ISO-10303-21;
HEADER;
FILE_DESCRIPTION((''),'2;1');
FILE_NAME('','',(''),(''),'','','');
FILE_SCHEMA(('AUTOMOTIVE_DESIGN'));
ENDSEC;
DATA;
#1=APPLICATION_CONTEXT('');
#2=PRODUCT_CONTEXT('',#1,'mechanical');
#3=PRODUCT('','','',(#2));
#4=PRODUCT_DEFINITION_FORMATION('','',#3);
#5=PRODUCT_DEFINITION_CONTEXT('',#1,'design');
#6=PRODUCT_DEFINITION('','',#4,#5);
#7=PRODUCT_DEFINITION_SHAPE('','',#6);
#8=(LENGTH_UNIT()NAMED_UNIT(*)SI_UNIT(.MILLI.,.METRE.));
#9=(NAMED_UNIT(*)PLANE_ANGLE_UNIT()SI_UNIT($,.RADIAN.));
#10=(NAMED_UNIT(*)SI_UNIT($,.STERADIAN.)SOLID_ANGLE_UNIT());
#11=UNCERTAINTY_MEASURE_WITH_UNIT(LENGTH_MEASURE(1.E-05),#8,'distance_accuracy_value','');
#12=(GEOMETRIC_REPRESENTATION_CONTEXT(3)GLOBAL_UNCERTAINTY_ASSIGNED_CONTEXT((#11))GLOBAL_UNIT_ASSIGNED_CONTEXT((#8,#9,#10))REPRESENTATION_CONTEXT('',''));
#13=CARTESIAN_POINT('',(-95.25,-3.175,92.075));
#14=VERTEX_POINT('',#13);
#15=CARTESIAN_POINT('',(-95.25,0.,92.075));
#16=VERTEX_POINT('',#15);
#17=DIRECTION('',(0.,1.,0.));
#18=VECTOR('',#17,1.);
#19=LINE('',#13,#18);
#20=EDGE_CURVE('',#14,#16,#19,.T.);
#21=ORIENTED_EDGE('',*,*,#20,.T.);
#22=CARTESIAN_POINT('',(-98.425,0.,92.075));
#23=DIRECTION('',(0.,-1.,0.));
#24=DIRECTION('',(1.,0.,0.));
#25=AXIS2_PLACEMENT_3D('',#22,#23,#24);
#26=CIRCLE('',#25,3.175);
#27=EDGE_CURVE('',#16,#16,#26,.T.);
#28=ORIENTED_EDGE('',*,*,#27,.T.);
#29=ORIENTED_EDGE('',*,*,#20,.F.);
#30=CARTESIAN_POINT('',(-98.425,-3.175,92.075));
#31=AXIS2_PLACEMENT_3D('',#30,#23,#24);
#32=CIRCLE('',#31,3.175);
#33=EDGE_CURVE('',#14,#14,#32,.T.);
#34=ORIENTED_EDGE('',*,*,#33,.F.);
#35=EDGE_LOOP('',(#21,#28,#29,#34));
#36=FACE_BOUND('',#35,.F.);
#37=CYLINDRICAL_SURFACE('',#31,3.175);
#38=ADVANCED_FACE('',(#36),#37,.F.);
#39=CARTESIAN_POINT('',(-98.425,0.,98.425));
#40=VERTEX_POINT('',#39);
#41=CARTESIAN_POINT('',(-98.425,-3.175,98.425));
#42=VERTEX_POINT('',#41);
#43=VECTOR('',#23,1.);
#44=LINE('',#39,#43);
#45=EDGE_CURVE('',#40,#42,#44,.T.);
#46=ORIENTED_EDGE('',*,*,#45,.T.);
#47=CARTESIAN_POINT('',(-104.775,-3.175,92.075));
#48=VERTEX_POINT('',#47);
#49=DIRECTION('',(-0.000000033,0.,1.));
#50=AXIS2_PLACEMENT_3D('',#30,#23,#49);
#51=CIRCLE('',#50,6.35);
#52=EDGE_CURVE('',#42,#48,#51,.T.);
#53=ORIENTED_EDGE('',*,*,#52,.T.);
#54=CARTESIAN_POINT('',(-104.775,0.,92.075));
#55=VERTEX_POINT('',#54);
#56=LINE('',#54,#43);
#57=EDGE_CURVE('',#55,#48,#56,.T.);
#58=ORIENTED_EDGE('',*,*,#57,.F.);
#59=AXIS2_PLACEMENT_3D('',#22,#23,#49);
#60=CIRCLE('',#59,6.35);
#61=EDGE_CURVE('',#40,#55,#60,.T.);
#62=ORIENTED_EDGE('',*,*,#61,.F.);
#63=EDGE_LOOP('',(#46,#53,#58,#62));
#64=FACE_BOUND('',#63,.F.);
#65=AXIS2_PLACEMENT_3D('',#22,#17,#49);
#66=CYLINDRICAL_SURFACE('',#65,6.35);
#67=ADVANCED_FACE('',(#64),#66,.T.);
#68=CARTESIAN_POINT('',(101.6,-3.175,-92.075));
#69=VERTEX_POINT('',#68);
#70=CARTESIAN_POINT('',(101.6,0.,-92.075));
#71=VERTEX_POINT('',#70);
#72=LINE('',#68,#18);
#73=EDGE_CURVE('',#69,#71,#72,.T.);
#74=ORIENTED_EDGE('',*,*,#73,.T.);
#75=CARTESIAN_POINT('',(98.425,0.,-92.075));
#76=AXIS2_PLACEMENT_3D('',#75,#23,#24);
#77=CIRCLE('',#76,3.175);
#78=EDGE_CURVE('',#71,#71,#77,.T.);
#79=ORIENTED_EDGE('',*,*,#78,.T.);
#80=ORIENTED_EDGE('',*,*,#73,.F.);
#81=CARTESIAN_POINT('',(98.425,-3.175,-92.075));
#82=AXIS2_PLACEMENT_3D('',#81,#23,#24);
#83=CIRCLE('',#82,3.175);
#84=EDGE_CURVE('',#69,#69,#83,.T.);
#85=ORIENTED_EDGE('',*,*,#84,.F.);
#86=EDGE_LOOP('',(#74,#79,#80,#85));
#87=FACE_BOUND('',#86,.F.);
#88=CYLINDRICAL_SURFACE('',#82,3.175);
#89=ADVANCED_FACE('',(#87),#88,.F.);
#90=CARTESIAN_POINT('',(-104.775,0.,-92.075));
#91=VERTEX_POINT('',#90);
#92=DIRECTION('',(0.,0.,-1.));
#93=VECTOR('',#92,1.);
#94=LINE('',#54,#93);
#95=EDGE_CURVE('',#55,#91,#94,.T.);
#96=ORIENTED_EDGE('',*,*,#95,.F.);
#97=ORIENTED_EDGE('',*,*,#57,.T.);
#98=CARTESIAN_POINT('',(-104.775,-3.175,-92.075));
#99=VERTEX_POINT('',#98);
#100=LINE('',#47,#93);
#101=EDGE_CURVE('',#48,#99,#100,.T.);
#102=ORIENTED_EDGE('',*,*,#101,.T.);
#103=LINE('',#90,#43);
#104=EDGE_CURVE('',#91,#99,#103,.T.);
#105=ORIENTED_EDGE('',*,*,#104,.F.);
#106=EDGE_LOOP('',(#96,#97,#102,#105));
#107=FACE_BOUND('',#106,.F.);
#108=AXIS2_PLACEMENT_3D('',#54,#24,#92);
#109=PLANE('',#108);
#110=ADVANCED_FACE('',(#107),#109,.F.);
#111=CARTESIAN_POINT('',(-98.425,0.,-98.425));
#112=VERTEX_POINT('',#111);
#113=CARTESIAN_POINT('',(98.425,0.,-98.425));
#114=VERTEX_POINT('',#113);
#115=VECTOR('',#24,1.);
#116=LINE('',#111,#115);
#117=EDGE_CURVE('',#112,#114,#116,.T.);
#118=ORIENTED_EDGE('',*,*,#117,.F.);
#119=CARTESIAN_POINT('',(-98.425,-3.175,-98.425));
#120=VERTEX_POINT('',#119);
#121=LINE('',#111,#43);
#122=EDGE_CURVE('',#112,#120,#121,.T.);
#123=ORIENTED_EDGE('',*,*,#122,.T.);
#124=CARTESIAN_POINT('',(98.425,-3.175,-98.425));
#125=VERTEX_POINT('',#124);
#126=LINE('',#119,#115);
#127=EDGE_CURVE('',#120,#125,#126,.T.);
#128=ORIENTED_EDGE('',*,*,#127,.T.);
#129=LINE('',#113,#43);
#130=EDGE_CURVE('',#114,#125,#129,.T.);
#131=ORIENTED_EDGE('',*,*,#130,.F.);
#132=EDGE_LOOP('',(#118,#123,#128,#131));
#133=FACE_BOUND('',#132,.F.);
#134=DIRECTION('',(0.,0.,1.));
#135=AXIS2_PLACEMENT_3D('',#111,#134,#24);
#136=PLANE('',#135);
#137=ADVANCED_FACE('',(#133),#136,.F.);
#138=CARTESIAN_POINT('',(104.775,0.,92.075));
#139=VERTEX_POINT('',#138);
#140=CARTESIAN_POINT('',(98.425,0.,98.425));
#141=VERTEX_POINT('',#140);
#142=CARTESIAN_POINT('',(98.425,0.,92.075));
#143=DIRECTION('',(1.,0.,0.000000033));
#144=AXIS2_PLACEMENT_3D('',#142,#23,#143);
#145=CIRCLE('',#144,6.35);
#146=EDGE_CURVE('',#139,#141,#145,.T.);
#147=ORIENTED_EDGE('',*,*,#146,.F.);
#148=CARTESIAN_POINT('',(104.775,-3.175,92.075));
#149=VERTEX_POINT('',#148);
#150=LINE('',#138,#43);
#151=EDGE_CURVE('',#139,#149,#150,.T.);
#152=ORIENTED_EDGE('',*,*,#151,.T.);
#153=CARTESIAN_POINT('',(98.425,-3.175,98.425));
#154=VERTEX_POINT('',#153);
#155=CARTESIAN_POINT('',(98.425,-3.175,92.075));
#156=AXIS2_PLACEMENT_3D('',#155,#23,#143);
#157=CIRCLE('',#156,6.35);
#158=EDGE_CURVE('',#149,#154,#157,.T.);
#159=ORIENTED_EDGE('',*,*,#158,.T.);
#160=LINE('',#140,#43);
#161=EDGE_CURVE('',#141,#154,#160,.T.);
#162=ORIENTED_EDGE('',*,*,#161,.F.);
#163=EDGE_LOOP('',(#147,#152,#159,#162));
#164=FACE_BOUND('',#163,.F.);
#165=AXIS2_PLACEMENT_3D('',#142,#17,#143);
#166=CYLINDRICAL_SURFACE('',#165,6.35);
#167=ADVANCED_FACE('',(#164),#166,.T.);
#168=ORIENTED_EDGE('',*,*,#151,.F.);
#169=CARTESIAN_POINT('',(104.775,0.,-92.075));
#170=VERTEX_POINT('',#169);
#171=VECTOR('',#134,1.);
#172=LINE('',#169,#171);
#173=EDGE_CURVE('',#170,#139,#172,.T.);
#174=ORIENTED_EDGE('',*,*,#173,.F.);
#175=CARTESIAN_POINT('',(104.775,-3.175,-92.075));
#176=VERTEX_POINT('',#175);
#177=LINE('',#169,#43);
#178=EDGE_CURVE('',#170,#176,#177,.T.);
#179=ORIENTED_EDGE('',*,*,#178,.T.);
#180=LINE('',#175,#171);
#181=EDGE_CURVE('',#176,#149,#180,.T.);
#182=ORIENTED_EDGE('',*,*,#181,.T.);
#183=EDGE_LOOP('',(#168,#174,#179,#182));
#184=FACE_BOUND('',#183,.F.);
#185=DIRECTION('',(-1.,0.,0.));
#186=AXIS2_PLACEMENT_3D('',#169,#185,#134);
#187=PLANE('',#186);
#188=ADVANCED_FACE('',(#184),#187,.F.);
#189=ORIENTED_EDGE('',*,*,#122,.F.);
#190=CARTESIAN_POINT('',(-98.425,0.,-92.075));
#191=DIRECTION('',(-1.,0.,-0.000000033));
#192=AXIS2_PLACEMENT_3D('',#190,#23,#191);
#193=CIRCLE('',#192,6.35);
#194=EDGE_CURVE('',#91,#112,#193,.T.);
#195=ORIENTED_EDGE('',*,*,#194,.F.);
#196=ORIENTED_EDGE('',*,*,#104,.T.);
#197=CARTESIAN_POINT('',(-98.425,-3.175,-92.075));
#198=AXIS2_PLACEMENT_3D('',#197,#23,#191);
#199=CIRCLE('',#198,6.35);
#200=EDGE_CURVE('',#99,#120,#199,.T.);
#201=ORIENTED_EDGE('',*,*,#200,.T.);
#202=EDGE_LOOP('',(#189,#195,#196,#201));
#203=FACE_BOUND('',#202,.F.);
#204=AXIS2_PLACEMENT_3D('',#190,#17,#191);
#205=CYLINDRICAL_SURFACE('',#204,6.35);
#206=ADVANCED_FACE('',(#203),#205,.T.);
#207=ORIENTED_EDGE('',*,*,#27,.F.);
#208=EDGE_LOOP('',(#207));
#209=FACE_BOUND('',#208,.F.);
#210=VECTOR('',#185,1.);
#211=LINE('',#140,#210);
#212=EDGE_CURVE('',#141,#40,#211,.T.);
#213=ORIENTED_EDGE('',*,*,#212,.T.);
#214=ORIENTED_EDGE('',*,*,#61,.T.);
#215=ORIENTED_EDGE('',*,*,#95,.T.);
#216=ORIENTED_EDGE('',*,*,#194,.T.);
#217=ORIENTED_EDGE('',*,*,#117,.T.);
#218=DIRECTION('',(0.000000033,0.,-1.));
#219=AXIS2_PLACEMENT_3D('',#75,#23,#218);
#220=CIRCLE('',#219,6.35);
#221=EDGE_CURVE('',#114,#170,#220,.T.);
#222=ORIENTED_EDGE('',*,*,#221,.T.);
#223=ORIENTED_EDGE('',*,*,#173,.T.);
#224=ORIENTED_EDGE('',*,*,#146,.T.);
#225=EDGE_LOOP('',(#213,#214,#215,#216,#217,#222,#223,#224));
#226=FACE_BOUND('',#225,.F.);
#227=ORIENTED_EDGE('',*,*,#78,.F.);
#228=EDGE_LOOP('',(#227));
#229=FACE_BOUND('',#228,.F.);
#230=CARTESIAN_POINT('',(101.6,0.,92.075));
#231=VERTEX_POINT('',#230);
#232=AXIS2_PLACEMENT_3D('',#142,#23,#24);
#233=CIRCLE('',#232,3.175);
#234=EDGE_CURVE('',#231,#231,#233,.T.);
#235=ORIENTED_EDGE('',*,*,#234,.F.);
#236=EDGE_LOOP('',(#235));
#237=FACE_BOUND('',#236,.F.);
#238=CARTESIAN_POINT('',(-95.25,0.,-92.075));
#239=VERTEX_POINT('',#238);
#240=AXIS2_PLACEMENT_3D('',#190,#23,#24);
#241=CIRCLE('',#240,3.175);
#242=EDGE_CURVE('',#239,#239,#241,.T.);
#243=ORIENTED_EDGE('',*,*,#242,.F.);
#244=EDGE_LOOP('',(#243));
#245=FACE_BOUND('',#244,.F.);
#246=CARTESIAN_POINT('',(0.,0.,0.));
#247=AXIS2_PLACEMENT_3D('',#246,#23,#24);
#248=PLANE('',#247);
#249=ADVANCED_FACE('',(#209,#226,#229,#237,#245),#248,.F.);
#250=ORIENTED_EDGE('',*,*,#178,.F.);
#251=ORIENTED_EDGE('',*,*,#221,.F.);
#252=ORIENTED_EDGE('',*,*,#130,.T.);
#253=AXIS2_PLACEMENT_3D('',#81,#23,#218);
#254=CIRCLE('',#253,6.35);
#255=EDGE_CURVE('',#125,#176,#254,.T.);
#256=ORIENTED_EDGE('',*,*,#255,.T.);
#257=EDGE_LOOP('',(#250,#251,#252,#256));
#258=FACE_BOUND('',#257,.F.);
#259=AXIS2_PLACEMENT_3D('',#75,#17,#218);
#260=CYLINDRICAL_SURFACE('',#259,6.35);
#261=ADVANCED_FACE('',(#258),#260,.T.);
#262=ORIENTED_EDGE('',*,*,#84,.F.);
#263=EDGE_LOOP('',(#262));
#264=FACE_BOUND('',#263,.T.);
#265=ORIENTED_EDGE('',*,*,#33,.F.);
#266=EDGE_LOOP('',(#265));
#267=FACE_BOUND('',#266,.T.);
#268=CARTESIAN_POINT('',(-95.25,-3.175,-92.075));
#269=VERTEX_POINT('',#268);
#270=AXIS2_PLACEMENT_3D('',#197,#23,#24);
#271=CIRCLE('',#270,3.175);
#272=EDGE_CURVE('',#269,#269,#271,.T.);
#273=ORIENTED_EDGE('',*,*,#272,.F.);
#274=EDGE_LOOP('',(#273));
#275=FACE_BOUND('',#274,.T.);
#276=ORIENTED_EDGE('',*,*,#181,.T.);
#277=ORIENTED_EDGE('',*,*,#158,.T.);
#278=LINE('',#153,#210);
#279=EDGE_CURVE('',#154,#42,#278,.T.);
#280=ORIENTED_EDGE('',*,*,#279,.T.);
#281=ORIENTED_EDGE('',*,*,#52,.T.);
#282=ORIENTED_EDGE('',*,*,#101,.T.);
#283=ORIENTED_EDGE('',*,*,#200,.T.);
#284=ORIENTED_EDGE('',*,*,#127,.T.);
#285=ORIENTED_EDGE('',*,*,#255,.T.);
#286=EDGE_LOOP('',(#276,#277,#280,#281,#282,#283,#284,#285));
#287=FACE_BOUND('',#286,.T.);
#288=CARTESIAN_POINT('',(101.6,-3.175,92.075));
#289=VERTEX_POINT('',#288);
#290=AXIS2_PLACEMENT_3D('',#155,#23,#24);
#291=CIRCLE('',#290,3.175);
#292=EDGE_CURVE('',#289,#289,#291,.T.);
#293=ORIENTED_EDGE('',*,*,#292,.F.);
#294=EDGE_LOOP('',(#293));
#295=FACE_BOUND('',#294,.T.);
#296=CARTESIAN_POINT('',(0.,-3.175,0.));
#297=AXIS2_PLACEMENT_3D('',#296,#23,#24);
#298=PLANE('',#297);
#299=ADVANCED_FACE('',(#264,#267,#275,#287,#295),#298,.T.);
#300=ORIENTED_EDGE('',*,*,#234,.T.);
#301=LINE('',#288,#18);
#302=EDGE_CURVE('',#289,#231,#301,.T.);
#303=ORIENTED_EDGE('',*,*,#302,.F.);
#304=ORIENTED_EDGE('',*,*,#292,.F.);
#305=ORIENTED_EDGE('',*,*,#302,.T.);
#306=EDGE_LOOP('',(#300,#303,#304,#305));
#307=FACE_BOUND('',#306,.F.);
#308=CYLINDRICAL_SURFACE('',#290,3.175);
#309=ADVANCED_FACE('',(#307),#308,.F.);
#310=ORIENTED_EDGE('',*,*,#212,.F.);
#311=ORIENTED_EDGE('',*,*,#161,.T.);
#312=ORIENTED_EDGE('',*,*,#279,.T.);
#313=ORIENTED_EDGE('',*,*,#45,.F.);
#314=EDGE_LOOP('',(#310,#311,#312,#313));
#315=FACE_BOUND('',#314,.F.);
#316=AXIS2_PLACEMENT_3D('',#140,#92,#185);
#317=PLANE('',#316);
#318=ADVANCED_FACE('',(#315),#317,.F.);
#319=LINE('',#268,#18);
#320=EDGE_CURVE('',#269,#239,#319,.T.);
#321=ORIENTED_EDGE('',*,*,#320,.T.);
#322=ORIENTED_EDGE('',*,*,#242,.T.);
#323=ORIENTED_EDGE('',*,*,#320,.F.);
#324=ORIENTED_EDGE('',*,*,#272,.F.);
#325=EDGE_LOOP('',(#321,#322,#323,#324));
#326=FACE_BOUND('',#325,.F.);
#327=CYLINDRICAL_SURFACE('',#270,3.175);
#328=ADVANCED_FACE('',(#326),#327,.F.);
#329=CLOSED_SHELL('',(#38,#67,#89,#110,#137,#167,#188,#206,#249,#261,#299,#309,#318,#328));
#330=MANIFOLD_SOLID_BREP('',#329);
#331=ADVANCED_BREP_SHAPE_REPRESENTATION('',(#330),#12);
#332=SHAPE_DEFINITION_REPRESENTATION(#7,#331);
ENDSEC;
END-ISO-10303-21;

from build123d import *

# Parameters (mm, degrees)
F1_DEPTH = 3.175
F2_R     = 3.175
F3_DEPTH = 25.4


with BuildPart() as f1:
    # F0 (on Front) → F1 (new body)
    with BuildSketch(Plane.XZ):
        with BuildLine():
            Line((98.425, 98.425), (-98.425, 98.425))
            ThreePointArc((-98.425, 98.425), (-102.915128, 96.565128), (-104.775, 92.075))
            Line((-104.775, 92.075), (-104.775, -92.075))
            ThreePointArc((-104.775, -92.075), (-102.915128, -96.565128), (-98.425, -98.425))
            Line((-98.425, -98.425), (98.425, -98.425))
            ThreePointArc((98.425, -98.425), (102.915128, -96.565128), (104.775, -92.075))
            Line((104.775, -92.075), (104.775, 92.075))
            ThreePointArc((104.775, 92.075), (102.915128, 96.565128), (98.425, 98.425))
        make_face()
    extrude(amount=F1_DEPTH)

    # F2 (on face) → F3 (cut)
    with BuildSketch(Plane.XZ.offset(3.175)):
        with Locations((-98.425, 92.075)):
            Circle(F2_R)
        with Locations((98.425, 92.075)):
            Circle(F2_R)
        with Locations((98.425, -92.075)):
            Circle(F2_R)
        with Locations((-98.425, -92.075)):
            Circle(F2_R)
    extrude(amount=-F3_DEPTH, mode=Mode.SUBTRACT)


solid = f1.part
